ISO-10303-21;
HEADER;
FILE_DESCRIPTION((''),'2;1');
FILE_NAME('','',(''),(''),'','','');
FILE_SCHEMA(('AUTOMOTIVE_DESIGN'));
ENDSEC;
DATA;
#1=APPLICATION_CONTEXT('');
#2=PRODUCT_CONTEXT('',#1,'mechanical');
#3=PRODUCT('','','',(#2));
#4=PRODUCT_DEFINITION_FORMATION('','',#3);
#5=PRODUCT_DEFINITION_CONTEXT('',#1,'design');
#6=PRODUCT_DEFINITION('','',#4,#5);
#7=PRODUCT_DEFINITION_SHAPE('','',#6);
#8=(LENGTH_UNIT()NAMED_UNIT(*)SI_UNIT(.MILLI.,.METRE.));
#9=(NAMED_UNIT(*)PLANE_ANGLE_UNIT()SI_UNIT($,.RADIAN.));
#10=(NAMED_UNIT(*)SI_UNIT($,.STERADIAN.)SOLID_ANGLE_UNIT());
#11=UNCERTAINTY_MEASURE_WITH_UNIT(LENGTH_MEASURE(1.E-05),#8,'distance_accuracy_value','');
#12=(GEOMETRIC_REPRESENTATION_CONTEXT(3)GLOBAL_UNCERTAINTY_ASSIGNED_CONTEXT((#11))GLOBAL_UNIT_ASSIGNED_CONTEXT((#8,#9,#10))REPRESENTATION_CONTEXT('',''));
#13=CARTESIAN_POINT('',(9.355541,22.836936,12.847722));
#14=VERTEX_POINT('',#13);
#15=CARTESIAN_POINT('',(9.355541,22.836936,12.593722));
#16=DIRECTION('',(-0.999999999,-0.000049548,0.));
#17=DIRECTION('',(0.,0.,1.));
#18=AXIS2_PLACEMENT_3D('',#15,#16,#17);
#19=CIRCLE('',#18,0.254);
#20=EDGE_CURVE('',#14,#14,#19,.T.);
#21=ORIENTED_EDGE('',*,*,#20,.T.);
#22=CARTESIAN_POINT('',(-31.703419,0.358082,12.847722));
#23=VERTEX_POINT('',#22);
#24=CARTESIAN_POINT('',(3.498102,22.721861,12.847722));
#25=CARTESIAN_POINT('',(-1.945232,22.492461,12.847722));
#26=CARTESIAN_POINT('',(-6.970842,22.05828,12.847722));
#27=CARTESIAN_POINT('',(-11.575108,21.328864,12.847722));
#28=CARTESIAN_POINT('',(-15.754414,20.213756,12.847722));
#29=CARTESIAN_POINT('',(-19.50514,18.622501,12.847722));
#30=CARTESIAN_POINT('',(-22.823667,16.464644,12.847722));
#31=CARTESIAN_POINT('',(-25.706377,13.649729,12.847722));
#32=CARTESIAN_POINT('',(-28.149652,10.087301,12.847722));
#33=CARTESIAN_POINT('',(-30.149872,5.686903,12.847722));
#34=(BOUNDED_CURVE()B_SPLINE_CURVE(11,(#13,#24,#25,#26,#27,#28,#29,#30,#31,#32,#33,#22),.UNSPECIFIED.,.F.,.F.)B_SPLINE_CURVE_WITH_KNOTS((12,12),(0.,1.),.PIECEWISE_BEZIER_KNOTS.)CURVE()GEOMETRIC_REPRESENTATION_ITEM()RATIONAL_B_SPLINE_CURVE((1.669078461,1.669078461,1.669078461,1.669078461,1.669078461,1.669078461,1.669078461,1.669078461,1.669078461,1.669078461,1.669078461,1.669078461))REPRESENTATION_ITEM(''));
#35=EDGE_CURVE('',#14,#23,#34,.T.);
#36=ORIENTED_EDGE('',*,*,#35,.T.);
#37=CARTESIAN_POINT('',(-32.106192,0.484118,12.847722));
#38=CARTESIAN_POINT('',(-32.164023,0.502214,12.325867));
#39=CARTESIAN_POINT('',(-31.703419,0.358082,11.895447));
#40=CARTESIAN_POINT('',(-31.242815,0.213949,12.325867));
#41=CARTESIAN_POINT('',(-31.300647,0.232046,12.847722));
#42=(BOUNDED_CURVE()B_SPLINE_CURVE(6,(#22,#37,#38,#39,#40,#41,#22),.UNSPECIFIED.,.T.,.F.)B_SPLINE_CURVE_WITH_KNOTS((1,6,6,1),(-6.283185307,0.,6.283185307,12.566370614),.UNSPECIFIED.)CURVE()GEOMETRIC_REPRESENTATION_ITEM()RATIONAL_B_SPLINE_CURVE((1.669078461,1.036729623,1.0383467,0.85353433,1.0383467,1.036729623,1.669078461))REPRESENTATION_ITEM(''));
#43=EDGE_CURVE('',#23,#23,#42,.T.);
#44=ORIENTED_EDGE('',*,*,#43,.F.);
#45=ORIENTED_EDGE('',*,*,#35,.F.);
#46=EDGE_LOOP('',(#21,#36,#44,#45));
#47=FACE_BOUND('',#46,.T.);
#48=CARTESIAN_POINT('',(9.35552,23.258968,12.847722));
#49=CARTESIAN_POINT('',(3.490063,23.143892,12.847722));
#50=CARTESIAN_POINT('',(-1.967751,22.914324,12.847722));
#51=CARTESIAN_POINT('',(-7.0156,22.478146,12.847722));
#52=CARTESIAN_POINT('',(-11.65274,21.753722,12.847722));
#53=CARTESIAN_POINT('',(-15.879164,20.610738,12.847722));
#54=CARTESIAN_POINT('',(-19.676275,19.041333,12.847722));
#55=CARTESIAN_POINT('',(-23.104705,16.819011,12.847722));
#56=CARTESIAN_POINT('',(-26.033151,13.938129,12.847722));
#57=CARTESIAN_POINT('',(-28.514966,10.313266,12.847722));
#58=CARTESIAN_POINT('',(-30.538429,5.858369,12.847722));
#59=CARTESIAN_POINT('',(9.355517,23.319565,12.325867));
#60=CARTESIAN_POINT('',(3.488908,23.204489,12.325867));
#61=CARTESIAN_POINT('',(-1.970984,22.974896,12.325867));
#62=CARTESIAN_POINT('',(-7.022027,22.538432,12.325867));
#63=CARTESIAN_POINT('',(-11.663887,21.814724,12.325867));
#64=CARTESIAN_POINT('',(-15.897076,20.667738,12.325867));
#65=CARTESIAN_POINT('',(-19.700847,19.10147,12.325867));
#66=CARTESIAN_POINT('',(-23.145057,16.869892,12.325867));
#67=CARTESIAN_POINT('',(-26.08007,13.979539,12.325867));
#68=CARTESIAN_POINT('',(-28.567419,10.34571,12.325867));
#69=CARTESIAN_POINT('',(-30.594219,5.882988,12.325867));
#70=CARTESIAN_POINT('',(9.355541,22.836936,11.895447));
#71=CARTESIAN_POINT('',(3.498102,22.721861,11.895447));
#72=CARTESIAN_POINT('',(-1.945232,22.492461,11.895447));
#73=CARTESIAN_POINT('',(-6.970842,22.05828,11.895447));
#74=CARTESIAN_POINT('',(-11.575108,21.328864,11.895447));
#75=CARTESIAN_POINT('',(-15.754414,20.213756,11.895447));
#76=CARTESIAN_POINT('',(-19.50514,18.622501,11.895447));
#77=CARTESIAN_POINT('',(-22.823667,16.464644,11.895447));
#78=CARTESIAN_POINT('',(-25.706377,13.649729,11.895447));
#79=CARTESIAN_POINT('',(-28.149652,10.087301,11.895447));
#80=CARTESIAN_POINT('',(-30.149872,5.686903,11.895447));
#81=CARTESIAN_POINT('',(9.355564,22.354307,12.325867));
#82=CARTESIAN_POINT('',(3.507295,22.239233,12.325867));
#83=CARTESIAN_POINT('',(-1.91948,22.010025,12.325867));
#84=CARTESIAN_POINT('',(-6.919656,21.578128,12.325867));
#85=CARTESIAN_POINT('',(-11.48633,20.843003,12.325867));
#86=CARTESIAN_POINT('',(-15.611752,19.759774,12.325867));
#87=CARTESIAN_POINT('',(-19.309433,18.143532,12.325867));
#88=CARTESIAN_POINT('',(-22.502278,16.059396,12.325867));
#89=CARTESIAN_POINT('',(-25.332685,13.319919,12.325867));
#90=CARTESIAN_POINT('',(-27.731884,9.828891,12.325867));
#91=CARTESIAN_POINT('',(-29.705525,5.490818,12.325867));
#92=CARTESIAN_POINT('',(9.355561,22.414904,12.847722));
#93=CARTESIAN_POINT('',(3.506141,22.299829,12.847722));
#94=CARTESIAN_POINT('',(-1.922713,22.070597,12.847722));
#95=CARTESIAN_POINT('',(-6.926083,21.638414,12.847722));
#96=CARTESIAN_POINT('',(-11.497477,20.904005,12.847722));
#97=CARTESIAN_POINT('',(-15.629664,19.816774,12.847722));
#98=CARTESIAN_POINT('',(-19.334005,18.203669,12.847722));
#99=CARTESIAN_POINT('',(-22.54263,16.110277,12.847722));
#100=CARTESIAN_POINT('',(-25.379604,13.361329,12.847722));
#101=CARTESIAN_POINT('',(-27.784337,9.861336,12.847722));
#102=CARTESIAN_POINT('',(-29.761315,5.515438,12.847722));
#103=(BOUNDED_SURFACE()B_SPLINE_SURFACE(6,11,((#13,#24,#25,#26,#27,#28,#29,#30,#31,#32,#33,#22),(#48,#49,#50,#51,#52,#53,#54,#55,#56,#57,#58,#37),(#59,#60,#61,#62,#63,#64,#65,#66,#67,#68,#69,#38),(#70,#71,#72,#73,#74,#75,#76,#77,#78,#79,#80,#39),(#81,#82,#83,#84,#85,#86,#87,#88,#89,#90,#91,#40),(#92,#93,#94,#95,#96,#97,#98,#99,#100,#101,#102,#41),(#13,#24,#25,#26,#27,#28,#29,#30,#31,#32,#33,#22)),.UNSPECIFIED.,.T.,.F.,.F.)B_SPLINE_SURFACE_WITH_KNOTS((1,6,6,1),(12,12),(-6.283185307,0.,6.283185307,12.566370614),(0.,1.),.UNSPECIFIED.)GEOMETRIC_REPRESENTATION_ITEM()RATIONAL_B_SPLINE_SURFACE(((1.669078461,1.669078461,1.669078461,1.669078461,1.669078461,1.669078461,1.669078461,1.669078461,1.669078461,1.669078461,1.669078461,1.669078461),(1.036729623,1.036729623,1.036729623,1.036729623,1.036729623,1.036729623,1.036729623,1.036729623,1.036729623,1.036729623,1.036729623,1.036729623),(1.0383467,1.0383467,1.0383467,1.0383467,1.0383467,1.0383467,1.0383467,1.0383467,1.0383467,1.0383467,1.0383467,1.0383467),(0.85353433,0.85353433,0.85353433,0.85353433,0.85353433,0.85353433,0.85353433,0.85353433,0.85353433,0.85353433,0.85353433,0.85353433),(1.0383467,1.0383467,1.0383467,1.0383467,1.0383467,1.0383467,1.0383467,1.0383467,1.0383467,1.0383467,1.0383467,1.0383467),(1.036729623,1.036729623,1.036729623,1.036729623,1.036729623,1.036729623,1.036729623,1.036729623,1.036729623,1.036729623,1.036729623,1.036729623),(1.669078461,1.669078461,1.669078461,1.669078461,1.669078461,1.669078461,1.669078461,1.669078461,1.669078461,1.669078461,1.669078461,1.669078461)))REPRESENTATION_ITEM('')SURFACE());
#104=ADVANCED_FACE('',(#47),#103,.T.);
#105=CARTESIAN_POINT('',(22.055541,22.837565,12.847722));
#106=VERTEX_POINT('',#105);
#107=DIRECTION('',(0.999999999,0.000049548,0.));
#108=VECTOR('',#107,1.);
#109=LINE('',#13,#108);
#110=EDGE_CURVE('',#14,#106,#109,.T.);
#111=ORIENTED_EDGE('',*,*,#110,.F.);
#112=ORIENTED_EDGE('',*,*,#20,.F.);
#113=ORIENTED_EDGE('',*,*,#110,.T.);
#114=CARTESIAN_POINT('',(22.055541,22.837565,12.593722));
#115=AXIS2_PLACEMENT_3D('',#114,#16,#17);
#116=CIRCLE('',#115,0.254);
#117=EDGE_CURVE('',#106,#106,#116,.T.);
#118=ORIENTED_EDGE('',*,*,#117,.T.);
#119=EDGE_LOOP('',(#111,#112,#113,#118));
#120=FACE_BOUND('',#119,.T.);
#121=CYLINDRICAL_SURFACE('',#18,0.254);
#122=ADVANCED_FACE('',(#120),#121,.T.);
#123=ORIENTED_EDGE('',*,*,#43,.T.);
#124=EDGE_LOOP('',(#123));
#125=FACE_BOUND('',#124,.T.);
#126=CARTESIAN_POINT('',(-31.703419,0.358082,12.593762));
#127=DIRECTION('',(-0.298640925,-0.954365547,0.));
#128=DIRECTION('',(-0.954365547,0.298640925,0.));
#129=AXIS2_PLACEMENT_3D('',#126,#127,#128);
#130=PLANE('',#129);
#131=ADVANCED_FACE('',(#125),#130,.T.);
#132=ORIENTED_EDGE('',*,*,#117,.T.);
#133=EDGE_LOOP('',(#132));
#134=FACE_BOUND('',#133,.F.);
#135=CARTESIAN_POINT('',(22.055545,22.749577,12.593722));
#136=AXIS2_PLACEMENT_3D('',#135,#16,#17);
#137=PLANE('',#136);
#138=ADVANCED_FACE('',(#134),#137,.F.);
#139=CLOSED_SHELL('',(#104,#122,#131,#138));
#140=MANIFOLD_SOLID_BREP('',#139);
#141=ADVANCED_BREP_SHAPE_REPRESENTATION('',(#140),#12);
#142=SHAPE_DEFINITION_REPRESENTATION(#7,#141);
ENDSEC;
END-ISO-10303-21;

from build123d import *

# Parameters (mm, degrees)
EXTRUDE1_DEPTH = 12.7
SKETCH6_R      = 0.254


with BuildPart() as part:
    # Sketch1 → Extrude1 (new body)
    with BuildSketch(Plane(origin=(9.356672019, 0.000463605, 0), x_dir=(0, 0, 1), z_dir=(-0.9999999987724971, -4.9548017672609856e-05, 0))):
        with BuildLine():
            ThreePointArc((12.339722244, 22.836472421), (12.593722244, 22.582472421), (12.847722244, 22.836472421))
            Line((12.847722244, 22.836472421), (12.339722244, 22.836472421))
        make_face()
        with BuildLine():
            Line((12.339722244, 22.836472421), (12.847722244, 22.836472421))
            ThreePointArc((12.847722244, 22.836472421), (12.593722244, 23.090472421), (12.339722244, 22.836472421))
        make_face()
    extrude(amount=-EXTRUDE1_DEPTH)

    # Sweep1: sweep along a path in Sketch5
    with BuildLine() as sweep1_path:  # in the path sketch's own coordinates; laid on its plane below (add() does not lay a ready-made edge on the line's plane)
        add(Edge.make_bspline(
            [(-9.355540517, 22.836935998), (12.1217357, 22.414993465), (26.007079458, 19.897094592), (31.703419359, 0.358081519)],
            knots=[0, 0, 0, 0, 1, 1, 1, 1], degree=3))
    # Sketch6 → Sweep1 (sweep)
    with BuildSketch(Plane(origin=(9.356672019, 0.000463605, 0), x_dir=(0, 0, 1), z_dir=(-0.9999999987724971, -4.9548017672538895e-05, 0))):
        with Locations((12.593722244, 22.836472421)):
            Circle(SKETCH6_R)
    sweep(path=Plane(origin=(0, 0, 12.593722244), x_dir=(-1, 0, 0), z_dir=(0, 0, -1)) * sweep1_path.line)


solid = part.part
